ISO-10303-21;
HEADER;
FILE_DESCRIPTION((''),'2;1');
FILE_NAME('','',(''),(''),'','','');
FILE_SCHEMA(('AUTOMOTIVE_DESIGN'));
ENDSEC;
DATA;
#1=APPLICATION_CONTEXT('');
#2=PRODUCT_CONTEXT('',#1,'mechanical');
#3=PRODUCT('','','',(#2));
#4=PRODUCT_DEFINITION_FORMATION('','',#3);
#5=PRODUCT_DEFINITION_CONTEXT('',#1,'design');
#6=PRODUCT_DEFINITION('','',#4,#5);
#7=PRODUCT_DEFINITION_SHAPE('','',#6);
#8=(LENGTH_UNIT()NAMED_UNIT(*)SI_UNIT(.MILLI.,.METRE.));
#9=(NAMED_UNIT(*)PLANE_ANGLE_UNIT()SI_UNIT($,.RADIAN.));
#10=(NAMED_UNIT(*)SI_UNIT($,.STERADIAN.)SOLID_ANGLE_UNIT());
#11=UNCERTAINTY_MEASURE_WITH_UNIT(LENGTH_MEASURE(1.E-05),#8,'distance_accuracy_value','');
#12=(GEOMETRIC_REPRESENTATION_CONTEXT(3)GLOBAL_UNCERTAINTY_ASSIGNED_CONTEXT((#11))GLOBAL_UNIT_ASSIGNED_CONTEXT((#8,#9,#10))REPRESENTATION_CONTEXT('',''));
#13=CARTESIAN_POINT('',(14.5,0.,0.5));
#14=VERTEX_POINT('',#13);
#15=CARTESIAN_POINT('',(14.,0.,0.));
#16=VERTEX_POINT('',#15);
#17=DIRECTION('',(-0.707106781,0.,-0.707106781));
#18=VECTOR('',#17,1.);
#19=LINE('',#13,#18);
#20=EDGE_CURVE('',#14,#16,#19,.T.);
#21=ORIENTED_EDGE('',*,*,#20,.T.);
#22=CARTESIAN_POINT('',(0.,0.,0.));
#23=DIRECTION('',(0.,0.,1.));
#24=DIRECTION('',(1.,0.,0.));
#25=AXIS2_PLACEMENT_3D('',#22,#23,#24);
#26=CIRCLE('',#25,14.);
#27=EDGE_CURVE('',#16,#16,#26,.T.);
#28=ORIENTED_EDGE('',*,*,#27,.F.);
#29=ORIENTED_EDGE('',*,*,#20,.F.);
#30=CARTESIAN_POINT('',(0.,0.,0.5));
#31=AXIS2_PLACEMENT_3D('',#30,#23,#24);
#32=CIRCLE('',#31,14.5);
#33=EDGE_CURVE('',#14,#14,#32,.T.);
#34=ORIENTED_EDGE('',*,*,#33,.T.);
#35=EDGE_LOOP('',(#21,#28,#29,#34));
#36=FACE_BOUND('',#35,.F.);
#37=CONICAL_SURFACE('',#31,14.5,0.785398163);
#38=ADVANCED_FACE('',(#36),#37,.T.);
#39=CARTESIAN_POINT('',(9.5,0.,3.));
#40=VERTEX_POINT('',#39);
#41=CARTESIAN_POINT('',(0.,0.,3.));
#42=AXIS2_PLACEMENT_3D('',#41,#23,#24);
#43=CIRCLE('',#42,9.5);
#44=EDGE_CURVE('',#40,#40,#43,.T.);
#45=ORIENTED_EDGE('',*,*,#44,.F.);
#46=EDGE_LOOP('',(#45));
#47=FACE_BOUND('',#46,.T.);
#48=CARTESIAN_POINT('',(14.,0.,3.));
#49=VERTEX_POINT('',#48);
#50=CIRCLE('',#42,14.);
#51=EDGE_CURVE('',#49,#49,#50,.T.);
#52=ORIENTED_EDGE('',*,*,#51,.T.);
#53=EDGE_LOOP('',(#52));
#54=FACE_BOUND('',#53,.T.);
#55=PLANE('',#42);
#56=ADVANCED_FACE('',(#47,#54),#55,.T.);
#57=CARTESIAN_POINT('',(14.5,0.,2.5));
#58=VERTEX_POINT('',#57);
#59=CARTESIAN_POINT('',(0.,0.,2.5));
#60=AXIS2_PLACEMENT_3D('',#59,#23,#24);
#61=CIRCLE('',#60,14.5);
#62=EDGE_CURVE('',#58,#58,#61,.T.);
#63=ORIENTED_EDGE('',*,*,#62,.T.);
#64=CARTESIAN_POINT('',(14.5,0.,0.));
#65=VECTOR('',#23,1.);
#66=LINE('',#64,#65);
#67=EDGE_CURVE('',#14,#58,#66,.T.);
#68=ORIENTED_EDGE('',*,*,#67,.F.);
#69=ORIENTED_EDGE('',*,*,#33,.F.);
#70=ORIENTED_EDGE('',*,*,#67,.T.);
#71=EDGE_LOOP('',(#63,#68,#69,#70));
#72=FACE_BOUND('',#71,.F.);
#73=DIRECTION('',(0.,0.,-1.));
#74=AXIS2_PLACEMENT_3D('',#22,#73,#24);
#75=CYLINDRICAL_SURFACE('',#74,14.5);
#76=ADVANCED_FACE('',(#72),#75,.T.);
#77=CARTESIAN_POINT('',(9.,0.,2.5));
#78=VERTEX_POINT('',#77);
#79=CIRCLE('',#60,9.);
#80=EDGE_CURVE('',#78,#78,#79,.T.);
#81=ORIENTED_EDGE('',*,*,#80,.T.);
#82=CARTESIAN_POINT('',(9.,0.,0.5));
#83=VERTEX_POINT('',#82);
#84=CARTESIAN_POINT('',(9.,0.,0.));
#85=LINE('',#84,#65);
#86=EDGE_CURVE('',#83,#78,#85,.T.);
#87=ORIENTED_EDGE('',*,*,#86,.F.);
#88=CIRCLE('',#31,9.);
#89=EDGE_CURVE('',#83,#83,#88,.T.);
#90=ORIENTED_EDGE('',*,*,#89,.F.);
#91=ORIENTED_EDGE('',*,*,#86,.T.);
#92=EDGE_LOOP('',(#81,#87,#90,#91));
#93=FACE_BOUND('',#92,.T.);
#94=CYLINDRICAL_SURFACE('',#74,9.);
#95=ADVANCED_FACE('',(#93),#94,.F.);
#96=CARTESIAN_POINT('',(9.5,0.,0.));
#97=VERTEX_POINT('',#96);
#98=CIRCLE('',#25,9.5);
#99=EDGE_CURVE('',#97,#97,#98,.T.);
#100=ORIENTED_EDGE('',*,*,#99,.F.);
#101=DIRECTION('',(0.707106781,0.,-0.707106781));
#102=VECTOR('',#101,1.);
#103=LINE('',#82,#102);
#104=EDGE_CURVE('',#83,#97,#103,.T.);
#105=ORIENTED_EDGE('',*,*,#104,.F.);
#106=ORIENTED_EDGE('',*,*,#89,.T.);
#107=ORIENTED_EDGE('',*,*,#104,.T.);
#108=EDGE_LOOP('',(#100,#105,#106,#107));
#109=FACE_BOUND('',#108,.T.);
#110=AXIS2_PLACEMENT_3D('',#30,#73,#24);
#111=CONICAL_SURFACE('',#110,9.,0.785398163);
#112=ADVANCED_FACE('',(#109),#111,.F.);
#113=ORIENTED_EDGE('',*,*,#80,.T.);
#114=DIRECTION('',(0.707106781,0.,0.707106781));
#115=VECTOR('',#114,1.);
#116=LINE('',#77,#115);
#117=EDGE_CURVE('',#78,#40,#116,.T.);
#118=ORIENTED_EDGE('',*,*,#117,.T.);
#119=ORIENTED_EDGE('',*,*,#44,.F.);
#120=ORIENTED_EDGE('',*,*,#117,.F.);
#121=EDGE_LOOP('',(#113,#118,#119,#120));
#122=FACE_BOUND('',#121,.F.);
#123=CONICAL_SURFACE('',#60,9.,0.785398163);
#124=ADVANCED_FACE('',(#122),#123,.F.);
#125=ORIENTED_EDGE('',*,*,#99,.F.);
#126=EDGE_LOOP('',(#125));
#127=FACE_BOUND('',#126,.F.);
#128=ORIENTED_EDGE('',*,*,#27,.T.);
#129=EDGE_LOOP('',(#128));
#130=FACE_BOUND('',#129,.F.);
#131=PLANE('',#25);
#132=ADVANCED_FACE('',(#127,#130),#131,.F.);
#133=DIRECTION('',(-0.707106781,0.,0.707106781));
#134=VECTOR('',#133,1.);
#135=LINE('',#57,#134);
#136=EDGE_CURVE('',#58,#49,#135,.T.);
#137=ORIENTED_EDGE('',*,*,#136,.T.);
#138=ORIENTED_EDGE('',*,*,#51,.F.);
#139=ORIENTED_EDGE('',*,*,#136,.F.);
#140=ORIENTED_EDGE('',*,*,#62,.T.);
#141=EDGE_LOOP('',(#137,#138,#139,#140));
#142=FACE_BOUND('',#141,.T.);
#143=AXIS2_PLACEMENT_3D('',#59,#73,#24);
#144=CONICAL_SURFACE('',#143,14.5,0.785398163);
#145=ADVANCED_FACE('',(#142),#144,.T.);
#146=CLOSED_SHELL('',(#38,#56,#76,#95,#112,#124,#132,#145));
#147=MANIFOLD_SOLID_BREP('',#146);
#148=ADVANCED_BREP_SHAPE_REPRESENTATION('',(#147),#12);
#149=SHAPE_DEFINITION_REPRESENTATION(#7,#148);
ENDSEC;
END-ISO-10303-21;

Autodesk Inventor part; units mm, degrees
ref_plane "YZ Plane" through (0, 0, 0) normal (1, 0, 0) x (0, 1, 0)
ref_plane "XZ Plane" through (0, 0, 0) normal (0, 1, 0) x (-1, 0, 0)
ref_plane "XY Plane" through (0, 0, 0) normal (0, 0, 1) x (1, 0, 0)
sketch "草图1" plane through (0, 0, 0) normal (0, 0, 1) x (1, 0, 0)
  circle A0 centre (0, 0) radius 14.5
  circle A1 centre (0, 0) radius 9
extrude "拉伸1" add sketch "草图1" along normal blind 3
chamfer "倒角1" distance 0.5 angle 45 4 edges at (-9, 0, 3) (-9, 0, 0) (-14.5, 0, 3) (-14.5, 0, 0)
properties part number "my_attempt_v2"
